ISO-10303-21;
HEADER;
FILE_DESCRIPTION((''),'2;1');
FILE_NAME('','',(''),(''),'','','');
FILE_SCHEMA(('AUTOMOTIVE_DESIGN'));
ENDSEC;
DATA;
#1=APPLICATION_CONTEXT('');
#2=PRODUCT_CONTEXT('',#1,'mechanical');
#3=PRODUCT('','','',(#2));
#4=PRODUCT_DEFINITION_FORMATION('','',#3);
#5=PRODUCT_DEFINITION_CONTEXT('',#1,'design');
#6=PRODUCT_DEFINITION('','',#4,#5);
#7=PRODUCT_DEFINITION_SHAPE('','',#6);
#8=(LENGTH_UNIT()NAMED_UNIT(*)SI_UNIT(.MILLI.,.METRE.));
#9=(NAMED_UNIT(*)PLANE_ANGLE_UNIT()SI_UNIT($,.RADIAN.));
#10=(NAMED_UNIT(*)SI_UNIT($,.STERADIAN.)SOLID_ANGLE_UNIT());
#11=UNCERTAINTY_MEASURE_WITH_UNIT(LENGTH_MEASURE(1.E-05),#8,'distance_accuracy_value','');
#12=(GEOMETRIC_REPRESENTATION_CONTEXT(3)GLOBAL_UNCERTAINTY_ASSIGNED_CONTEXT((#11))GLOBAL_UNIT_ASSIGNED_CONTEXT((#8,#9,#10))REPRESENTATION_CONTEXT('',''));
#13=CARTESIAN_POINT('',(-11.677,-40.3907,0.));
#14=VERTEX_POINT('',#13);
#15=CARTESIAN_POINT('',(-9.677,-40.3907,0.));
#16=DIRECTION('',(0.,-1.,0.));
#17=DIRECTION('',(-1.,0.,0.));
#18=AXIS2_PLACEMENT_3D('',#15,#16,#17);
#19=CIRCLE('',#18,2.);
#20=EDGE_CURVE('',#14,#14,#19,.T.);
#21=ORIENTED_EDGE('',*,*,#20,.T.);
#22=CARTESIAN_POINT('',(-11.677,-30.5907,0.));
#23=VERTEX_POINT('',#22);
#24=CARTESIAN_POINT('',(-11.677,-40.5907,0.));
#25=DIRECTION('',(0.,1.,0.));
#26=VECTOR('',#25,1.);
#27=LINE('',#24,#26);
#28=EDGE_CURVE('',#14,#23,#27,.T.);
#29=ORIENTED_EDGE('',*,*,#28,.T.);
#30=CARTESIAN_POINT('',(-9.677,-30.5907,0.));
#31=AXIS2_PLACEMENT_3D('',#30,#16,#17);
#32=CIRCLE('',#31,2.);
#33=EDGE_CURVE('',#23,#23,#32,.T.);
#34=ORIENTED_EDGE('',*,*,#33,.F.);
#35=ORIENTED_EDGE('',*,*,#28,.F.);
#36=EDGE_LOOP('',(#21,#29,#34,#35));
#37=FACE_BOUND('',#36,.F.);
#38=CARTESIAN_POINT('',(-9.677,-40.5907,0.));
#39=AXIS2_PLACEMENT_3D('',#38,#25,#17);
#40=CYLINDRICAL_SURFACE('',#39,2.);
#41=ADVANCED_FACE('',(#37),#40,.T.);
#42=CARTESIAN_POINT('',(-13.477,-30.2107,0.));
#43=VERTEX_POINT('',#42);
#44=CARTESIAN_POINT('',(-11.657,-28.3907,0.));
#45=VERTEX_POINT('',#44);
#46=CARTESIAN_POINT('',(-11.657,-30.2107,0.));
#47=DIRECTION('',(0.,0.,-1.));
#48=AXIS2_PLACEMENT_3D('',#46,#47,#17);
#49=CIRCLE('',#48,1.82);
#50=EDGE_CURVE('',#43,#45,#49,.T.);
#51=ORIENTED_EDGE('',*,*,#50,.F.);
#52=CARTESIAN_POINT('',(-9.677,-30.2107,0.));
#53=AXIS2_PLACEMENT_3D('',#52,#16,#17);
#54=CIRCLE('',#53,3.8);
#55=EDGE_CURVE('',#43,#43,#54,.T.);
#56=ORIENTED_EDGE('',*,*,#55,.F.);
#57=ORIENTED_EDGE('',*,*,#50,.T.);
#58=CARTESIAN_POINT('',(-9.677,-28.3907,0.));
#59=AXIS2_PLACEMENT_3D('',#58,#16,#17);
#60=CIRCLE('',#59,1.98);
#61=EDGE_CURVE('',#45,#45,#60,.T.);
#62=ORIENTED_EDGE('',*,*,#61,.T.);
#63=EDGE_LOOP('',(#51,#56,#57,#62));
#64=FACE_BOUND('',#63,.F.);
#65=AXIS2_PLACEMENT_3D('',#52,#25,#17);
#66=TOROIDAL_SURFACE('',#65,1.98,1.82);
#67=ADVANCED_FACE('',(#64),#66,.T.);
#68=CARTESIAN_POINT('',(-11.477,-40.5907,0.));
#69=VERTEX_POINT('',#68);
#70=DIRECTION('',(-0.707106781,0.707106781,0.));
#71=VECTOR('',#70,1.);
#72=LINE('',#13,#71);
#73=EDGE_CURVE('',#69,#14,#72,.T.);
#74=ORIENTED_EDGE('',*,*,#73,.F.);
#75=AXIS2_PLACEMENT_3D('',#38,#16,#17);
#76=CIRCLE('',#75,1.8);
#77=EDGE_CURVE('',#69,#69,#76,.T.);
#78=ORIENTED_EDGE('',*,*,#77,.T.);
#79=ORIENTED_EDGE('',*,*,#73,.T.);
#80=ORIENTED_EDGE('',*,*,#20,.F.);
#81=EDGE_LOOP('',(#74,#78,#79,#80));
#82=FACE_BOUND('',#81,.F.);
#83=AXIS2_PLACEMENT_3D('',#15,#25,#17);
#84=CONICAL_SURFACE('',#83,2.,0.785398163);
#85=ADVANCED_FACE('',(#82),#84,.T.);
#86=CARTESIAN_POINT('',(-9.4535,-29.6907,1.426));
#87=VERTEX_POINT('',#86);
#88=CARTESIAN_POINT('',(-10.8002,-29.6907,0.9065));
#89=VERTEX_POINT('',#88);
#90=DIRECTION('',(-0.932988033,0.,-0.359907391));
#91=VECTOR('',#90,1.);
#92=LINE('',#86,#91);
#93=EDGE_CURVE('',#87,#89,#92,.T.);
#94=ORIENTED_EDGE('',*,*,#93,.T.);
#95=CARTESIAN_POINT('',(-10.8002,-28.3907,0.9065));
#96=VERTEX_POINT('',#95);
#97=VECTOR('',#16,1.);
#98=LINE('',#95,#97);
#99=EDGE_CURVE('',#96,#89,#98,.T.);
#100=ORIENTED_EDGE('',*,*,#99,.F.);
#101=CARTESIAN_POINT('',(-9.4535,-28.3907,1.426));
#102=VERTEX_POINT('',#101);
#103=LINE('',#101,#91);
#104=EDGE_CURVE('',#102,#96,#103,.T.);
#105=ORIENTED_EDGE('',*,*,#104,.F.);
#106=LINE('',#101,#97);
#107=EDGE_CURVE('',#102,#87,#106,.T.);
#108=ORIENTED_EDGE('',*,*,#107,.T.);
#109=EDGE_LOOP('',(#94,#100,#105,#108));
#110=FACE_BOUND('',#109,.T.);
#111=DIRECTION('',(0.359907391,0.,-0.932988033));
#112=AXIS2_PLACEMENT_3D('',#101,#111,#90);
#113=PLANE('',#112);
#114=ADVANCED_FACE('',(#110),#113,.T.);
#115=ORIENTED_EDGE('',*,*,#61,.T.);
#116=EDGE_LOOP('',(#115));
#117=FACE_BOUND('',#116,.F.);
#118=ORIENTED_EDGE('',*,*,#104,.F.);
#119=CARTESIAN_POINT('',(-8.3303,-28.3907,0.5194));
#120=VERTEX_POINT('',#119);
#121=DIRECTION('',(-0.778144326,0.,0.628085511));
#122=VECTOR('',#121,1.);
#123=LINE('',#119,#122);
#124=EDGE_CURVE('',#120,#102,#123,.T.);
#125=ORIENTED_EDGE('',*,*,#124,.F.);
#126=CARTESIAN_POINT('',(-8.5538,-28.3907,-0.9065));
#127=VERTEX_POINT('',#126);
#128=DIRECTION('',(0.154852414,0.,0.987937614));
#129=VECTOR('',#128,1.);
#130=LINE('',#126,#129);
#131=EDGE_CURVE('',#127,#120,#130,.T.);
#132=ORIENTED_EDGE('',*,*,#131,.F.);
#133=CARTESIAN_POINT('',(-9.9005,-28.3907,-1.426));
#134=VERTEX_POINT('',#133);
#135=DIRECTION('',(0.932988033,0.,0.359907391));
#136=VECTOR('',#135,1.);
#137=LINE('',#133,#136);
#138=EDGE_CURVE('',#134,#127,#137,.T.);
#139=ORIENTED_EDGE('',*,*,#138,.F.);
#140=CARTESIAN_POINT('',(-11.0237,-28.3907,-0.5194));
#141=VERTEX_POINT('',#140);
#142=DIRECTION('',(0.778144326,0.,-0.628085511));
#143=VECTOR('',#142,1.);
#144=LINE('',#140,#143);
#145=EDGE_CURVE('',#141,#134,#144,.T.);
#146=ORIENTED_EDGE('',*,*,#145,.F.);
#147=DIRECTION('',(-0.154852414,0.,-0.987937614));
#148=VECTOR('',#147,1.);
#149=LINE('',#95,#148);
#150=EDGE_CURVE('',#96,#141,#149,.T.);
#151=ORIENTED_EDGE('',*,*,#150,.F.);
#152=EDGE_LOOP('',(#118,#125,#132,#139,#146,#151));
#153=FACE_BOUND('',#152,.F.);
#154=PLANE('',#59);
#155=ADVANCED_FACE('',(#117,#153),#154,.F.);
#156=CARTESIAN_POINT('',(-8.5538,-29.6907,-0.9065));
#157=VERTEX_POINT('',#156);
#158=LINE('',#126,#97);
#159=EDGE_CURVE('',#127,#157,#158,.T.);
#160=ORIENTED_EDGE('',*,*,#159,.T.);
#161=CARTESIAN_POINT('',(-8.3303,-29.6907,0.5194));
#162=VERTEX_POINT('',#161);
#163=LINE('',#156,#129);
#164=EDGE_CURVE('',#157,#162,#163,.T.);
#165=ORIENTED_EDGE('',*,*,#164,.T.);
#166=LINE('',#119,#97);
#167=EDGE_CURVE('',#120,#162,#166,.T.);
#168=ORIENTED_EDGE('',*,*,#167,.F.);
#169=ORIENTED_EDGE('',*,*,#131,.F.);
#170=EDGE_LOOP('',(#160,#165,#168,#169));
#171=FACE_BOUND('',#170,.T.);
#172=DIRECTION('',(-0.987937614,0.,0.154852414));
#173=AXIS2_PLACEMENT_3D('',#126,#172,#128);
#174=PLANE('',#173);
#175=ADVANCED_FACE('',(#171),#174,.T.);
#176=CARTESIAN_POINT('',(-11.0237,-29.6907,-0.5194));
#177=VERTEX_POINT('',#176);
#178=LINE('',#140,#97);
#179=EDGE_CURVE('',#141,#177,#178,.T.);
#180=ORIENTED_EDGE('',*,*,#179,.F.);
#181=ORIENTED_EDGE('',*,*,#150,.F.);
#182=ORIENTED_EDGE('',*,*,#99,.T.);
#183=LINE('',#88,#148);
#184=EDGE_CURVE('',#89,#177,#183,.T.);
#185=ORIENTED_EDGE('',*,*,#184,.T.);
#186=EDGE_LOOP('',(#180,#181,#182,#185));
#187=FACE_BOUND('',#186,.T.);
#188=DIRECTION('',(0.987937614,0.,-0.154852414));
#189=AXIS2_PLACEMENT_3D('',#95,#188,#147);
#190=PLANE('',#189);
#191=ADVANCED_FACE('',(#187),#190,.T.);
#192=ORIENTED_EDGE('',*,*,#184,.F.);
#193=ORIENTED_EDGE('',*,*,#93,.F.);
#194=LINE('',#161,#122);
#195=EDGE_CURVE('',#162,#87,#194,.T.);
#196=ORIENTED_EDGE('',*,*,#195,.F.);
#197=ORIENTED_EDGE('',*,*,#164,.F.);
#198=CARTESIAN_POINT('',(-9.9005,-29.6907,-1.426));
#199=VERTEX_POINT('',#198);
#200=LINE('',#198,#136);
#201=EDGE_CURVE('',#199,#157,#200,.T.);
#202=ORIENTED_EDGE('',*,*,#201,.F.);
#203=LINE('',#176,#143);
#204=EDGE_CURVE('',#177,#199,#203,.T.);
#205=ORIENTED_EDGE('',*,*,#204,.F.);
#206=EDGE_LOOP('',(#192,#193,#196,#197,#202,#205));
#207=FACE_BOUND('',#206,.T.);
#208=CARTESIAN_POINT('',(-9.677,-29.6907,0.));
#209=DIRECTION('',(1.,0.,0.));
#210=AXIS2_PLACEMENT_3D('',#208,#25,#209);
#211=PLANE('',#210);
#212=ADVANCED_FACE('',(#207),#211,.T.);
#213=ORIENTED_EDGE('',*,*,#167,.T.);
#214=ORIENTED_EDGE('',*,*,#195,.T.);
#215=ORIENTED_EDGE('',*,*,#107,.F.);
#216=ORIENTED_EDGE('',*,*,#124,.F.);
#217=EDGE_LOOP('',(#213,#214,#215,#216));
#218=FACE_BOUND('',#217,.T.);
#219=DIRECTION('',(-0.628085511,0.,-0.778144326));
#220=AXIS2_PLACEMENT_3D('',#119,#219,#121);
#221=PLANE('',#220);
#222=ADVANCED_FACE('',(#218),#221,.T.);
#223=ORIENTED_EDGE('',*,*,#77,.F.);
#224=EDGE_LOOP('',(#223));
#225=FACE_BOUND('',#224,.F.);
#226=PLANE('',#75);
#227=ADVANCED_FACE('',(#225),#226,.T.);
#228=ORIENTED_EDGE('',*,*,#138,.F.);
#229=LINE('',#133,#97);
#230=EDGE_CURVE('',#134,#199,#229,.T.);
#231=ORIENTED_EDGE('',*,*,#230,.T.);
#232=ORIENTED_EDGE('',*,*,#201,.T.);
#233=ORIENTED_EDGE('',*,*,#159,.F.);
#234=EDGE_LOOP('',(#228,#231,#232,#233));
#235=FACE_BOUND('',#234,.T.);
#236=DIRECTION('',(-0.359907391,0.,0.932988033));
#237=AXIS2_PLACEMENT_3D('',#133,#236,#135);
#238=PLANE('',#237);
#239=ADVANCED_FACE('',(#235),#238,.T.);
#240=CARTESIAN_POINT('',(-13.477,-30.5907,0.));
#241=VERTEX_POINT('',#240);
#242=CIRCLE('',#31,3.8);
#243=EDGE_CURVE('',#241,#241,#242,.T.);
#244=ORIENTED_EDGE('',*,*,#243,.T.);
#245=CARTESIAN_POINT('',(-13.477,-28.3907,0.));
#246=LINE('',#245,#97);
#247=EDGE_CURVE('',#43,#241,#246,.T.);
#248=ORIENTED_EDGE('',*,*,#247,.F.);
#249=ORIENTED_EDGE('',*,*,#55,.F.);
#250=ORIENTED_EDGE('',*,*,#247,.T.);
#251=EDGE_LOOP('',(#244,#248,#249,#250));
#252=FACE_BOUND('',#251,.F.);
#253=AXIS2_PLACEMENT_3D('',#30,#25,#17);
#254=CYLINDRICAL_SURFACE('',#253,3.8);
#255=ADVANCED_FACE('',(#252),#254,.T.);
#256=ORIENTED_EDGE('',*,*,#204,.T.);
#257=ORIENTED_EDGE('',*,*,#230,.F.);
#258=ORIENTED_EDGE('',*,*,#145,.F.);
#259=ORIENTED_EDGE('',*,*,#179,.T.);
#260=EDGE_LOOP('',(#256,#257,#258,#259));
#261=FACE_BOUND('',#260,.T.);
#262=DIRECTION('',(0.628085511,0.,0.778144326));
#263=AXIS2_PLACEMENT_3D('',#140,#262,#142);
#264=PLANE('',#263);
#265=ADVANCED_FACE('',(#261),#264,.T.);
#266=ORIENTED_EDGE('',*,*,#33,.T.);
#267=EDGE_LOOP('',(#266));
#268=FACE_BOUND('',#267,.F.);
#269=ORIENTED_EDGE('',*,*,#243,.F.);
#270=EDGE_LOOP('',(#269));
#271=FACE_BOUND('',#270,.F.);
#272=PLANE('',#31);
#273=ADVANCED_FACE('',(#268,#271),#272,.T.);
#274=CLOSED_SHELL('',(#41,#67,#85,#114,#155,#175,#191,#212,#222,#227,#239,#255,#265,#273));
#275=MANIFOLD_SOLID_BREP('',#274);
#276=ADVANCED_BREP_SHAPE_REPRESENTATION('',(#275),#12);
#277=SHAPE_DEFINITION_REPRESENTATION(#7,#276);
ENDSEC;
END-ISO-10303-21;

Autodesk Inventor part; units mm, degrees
ref_plane "YZ Plane" through (0, 0, 0) normal (1, 0, 0) x (0, 1, 0)
ref_plane "XZ Plane" through (0, 0, 0) normal (0, 1, 0) x (-1, 0, 0)
ref_plane "XY Plane" through (0, 0, 0) normal (0, 0, 1) x (1, 0, 0)
sketch "Sketch1" plane through (0, 0, 0) normal (0, 0, 1) x (1, 0, 0)
  line L0 (-9.677, -30.5907) -> (-13.477, -30.5907)
  line L1 (-9.677, -30.5907) -> (-9.677, -40.5907)
  line L2 (-9.677, -40.5907) -> (-11.677, -40.5907)
  line L3 (-11.677, -40.5907) -> (-11.677, -30.5907)
  line L4 (-9.677, -30.5907) -> (-9.677, -26.5988)
  line L5 (-13.477, -30.5907) -> (-13.477, -30.2107)
  line L6 (-13.477, -30.2107) -> (-13.477, -28.3907)
  line L7 (-13.477, -28.3907) -> (-9.677, -28.3907)
  point P0 (0, 0)
  dimension "d0" = 3.8
  dimension "d2" = 10
  dimension "d3" = 2
  dimension "d18" = 0.38
  dimension "d19" = 2.2
revolve "Revolution1" add sketch "Sketch1" angle 360 about axis through (-9.677, -30.5907, 0) along (0, -1, 0)
chamfer "Chamfer2" distance 0.2 angle 45 1 edges at (-7.677, -40.5907, 0)
thread "Rosca1" size "M4x0.7" class "6g" standard "ANSI Metric M Profile" full length
fillet "Empalme2" radius 1.82 1 edges at (-5.877, -28.3907, 0)
sketch "Boceto2" plane through (-9.677, -28.3907, 0) normal (0, 1, 0) x (1, 0, 0)
  line L0 (1.1232, 0.9065) -> (1.3467, -0.5194)
  line L1 (1.3467, -0.5194) -> (0.2235, -1.426)
  line L2 (0.2235, -1.426) -> (-1.1232, -0.9065)
  line L3 (-1.1232, -0.9065) -> (-1.3467, 0.5194)
  line L4 (-1.3467, 0.5194) -> (-0.2235, 1.426)
  line L5 (-0.2235, 1.426) -> (1.1232, 0.9065)
  point P0 (9.677, 0)
  point P1 (0, 0)
  dimension "d21" = 2.5
extrude "Extrusión1" cut sketch "Boceto2" against normal blind 1.3
properties part number "Tornillo Allen cabeza botón M4x10mm"
